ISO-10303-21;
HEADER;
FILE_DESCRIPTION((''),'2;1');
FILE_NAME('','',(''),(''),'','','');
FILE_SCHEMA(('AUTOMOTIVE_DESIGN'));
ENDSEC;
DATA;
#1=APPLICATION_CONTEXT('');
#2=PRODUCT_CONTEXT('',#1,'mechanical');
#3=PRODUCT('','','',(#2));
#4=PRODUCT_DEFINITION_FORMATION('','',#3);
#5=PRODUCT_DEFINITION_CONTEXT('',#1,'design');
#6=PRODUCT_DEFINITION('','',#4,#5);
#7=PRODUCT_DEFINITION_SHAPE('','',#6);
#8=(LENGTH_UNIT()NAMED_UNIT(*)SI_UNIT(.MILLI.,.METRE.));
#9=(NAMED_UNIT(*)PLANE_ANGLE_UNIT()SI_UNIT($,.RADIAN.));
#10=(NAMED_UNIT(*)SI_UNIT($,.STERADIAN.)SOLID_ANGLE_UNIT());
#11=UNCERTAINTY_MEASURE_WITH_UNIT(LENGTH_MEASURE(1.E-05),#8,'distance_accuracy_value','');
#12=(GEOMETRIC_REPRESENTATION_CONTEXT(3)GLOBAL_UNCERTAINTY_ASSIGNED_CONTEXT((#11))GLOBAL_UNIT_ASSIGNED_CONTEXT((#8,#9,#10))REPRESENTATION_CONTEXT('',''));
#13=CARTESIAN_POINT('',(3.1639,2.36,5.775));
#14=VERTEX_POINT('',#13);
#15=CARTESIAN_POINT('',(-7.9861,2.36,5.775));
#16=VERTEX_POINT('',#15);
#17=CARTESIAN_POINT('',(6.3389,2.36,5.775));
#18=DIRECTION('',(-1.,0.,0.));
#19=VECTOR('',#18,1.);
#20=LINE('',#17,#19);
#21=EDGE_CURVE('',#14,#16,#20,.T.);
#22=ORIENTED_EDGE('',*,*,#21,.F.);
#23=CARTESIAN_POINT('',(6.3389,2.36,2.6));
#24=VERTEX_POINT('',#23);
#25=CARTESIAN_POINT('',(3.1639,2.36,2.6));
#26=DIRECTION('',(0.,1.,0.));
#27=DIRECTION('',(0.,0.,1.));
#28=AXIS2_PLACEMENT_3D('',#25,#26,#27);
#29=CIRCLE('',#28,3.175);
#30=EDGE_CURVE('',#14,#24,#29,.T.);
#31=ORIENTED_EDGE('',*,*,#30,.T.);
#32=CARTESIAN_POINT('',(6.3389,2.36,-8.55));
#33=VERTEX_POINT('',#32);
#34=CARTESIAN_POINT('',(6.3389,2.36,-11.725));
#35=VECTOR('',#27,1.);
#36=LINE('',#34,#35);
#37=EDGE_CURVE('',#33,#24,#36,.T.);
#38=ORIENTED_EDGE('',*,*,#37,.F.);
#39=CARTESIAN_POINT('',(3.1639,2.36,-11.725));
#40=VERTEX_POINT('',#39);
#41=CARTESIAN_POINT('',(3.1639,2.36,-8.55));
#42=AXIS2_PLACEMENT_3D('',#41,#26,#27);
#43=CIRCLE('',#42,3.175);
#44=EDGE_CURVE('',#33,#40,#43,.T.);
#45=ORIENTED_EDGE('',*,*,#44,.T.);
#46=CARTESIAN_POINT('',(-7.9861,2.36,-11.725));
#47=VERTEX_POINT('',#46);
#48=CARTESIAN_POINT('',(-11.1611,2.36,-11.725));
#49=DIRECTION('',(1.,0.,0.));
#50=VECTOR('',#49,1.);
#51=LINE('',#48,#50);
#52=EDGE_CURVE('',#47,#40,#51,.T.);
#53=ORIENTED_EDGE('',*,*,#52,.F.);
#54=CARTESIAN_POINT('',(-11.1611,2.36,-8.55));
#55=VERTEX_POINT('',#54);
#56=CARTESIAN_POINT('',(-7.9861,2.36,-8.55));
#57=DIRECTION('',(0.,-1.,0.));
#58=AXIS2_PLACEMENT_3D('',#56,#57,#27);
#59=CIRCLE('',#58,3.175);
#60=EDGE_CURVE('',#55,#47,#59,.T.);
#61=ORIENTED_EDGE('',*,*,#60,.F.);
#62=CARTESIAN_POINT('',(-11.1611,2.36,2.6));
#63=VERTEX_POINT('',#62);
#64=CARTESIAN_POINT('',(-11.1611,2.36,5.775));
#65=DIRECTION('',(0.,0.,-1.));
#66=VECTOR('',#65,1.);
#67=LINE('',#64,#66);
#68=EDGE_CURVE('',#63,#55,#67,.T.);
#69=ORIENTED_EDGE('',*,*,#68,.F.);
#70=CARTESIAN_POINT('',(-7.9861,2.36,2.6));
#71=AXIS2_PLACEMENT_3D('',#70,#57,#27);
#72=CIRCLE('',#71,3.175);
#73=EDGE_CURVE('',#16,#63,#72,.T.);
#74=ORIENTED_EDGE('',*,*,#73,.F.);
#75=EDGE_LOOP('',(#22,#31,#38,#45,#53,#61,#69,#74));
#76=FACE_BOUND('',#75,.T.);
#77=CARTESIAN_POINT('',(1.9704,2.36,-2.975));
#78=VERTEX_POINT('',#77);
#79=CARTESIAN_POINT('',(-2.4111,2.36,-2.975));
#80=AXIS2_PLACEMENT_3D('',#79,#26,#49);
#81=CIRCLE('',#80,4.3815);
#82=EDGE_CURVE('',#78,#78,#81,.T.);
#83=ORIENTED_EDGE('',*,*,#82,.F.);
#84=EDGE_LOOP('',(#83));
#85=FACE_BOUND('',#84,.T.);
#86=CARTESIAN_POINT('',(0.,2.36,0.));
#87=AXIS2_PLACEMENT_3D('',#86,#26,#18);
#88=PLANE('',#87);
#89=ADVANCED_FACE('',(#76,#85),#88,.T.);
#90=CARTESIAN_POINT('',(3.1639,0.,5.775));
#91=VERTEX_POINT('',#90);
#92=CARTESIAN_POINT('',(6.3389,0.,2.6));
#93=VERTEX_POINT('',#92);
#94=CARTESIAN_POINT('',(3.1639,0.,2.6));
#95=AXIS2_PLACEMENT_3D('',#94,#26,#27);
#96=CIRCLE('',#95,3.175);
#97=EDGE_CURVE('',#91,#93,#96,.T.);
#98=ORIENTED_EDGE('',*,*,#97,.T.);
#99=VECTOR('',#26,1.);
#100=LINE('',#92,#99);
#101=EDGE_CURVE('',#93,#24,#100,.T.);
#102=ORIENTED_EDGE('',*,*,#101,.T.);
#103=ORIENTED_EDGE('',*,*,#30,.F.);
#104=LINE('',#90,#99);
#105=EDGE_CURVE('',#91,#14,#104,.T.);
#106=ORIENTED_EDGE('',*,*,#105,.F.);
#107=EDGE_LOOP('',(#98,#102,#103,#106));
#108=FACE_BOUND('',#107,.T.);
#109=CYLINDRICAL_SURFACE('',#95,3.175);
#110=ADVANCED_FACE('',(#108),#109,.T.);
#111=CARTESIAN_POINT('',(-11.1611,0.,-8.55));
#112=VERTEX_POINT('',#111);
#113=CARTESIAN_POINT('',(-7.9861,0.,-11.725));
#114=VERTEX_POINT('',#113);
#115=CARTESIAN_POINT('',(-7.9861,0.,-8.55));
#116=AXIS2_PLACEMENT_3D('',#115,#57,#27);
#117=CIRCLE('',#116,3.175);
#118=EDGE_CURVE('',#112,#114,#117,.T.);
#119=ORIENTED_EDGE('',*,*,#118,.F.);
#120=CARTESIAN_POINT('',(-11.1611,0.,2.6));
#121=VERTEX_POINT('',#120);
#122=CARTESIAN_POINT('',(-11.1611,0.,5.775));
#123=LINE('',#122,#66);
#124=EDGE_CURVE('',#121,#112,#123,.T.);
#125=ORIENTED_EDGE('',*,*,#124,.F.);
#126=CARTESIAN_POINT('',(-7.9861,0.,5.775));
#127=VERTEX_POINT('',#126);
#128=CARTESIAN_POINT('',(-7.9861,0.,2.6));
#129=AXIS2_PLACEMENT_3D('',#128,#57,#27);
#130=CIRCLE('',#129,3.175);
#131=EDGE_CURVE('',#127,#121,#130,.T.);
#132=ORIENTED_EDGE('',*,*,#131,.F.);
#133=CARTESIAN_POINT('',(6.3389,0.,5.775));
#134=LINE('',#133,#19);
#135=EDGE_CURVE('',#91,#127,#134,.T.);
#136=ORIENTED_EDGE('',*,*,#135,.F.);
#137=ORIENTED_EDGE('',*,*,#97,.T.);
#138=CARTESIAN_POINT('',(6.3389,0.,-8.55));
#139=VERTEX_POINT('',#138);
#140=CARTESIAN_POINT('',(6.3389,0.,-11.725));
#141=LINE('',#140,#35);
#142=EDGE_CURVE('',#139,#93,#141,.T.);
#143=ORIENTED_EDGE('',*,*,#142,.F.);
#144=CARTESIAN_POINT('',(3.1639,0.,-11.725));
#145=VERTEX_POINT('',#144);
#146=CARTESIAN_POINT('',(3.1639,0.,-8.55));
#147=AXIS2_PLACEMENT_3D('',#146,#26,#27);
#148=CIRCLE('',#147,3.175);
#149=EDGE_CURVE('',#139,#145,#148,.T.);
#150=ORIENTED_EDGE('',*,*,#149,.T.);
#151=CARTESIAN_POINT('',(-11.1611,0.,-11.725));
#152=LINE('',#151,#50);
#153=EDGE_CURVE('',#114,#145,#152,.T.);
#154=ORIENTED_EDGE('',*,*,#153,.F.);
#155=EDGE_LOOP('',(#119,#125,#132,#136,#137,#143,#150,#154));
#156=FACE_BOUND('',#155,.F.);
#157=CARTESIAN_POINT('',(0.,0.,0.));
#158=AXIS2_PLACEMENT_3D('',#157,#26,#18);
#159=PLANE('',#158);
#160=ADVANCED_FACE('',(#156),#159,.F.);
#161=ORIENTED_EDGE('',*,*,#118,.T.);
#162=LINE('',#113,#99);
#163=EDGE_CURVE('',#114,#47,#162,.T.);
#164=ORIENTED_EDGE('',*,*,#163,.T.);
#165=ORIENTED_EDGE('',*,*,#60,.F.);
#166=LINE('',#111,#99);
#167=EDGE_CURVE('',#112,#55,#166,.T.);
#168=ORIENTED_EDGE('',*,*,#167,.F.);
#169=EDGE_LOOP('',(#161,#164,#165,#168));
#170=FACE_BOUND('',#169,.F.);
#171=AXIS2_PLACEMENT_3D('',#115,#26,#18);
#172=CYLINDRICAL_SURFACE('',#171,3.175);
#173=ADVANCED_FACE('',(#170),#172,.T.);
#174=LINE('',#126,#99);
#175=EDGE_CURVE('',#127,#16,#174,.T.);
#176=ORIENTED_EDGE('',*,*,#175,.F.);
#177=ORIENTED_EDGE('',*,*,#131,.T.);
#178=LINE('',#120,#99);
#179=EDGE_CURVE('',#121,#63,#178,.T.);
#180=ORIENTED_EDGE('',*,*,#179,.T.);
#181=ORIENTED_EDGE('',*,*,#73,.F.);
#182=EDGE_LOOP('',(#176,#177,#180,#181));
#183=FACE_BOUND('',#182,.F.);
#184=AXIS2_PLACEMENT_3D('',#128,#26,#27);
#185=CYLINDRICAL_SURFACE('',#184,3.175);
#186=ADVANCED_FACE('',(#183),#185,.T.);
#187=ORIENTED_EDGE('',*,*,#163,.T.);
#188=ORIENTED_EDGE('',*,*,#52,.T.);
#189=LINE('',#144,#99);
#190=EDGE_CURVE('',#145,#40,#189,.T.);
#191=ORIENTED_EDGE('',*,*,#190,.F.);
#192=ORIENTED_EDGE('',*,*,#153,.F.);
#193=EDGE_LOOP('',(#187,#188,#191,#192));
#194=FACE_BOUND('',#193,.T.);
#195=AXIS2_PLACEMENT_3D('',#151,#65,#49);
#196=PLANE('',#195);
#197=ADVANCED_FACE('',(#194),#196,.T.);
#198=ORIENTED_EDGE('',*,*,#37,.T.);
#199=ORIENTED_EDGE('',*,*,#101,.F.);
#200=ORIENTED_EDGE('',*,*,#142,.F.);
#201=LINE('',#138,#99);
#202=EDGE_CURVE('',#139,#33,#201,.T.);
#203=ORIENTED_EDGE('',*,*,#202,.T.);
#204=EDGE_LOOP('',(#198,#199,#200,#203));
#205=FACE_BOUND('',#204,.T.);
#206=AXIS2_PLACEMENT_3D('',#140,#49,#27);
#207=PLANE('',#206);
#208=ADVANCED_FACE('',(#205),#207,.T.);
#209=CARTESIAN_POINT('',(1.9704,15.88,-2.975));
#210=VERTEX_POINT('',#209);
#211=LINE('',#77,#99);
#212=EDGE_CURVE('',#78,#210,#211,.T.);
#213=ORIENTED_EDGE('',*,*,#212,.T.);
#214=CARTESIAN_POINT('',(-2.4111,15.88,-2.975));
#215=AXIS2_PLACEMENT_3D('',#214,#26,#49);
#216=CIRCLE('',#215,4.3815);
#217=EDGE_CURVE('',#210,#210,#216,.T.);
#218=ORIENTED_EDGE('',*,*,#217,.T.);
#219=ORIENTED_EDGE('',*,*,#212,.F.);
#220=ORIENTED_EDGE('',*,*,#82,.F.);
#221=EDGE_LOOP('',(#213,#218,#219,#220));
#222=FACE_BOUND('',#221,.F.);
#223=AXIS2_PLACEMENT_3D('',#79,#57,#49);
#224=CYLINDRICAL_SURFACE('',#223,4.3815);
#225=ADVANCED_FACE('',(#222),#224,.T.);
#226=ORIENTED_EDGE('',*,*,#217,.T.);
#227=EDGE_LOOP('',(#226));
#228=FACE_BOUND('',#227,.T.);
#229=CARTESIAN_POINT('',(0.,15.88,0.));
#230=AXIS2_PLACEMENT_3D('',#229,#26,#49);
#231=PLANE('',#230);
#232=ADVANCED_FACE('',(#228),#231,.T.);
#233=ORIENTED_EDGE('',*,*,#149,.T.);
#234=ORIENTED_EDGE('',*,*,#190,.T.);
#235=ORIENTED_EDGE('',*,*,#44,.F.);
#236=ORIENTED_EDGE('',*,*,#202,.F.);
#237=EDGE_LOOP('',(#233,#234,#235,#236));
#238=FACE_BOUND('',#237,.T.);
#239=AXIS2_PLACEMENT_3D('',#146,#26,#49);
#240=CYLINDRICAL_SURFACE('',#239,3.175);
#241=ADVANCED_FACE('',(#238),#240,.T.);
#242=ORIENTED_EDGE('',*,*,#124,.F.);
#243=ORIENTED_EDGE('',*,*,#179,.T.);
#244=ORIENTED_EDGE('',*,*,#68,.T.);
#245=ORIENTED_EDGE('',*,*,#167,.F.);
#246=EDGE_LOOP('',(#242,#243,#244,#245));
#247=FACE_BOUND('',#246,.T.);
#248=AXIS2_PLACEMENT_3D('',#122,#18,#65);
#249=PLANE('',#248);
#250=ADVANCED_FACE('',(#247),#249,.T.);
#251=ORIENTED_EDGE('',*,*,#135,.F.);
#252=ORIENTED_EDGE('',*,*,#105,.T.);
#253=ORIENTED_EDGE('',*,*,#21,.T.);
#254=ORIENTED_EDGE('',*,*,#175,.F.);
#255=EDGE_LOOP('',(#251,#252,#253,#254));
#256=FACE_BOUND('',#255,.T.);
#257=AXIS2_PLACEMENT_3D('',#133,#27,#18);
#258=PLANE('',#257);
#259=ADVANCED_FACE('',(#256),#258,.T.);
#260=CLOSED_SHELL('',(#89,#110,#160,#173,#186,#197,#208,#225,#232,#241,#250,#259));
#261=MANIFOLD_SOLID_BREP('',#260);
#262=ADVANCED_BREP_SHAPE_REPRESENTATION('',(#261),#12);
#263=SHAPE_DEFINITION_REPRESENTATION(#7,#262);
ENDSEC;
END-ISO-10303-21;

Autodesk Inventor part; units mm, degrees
ref_plane "YZ Plane" through (0, 0, 0) normal (1, 0, 0) x (0, 1, 0)
ref_plane "XZ Plane" through (0, 0, 0) normal (0, 1, 0) x (-1, 0, 0)
ref_plane "XY Plane" through (0, 0, 0) normal (0, 0, 1) x (1, 0, 0)
sketch "Sketch1" plane through (0, 0, 0) normal (0, 1, 0) x (-1, 0, 0)
  line L0 (-6.3389, 5.775) -> (11.1611, 5.775)
  line L1 (11.1611, 5.775) -> (11.1611, -11.725)
  line L2 (11.1611, -11.725) -> (-6.3389, -11.725)
  line L3 (-6.3389, -11.725) -> (-6.3389, 5.775)
  point P0 (0, 0)
  dimension "d0" = 17.5
  dimension "d1" = 17.5
extrude "Extrusion1" add sketch "Sketch1" along normal blind 2.36
sketch "Sketch2" plane through (0, 2.36, 0) normal (0, 1, 0) x (1, 0, 0)
  circle A0 centre (-2.4111, 2.975) radius 4.3815
  point P0 (0, 0)
  dimension "d4" = 8.763
extrude "Extrusion2" add sketch "Sketch2" along normal blind 13.52
fillet "Fillet1" radius 3.175 4 edges at (6.3389, 1.18, 5.775) (-11.1611, 1.18, 5.775) (6.3389, 1.18, -11.725) (-11.1611, 1.18, -11.725)
properties part number "BNC_Up"
